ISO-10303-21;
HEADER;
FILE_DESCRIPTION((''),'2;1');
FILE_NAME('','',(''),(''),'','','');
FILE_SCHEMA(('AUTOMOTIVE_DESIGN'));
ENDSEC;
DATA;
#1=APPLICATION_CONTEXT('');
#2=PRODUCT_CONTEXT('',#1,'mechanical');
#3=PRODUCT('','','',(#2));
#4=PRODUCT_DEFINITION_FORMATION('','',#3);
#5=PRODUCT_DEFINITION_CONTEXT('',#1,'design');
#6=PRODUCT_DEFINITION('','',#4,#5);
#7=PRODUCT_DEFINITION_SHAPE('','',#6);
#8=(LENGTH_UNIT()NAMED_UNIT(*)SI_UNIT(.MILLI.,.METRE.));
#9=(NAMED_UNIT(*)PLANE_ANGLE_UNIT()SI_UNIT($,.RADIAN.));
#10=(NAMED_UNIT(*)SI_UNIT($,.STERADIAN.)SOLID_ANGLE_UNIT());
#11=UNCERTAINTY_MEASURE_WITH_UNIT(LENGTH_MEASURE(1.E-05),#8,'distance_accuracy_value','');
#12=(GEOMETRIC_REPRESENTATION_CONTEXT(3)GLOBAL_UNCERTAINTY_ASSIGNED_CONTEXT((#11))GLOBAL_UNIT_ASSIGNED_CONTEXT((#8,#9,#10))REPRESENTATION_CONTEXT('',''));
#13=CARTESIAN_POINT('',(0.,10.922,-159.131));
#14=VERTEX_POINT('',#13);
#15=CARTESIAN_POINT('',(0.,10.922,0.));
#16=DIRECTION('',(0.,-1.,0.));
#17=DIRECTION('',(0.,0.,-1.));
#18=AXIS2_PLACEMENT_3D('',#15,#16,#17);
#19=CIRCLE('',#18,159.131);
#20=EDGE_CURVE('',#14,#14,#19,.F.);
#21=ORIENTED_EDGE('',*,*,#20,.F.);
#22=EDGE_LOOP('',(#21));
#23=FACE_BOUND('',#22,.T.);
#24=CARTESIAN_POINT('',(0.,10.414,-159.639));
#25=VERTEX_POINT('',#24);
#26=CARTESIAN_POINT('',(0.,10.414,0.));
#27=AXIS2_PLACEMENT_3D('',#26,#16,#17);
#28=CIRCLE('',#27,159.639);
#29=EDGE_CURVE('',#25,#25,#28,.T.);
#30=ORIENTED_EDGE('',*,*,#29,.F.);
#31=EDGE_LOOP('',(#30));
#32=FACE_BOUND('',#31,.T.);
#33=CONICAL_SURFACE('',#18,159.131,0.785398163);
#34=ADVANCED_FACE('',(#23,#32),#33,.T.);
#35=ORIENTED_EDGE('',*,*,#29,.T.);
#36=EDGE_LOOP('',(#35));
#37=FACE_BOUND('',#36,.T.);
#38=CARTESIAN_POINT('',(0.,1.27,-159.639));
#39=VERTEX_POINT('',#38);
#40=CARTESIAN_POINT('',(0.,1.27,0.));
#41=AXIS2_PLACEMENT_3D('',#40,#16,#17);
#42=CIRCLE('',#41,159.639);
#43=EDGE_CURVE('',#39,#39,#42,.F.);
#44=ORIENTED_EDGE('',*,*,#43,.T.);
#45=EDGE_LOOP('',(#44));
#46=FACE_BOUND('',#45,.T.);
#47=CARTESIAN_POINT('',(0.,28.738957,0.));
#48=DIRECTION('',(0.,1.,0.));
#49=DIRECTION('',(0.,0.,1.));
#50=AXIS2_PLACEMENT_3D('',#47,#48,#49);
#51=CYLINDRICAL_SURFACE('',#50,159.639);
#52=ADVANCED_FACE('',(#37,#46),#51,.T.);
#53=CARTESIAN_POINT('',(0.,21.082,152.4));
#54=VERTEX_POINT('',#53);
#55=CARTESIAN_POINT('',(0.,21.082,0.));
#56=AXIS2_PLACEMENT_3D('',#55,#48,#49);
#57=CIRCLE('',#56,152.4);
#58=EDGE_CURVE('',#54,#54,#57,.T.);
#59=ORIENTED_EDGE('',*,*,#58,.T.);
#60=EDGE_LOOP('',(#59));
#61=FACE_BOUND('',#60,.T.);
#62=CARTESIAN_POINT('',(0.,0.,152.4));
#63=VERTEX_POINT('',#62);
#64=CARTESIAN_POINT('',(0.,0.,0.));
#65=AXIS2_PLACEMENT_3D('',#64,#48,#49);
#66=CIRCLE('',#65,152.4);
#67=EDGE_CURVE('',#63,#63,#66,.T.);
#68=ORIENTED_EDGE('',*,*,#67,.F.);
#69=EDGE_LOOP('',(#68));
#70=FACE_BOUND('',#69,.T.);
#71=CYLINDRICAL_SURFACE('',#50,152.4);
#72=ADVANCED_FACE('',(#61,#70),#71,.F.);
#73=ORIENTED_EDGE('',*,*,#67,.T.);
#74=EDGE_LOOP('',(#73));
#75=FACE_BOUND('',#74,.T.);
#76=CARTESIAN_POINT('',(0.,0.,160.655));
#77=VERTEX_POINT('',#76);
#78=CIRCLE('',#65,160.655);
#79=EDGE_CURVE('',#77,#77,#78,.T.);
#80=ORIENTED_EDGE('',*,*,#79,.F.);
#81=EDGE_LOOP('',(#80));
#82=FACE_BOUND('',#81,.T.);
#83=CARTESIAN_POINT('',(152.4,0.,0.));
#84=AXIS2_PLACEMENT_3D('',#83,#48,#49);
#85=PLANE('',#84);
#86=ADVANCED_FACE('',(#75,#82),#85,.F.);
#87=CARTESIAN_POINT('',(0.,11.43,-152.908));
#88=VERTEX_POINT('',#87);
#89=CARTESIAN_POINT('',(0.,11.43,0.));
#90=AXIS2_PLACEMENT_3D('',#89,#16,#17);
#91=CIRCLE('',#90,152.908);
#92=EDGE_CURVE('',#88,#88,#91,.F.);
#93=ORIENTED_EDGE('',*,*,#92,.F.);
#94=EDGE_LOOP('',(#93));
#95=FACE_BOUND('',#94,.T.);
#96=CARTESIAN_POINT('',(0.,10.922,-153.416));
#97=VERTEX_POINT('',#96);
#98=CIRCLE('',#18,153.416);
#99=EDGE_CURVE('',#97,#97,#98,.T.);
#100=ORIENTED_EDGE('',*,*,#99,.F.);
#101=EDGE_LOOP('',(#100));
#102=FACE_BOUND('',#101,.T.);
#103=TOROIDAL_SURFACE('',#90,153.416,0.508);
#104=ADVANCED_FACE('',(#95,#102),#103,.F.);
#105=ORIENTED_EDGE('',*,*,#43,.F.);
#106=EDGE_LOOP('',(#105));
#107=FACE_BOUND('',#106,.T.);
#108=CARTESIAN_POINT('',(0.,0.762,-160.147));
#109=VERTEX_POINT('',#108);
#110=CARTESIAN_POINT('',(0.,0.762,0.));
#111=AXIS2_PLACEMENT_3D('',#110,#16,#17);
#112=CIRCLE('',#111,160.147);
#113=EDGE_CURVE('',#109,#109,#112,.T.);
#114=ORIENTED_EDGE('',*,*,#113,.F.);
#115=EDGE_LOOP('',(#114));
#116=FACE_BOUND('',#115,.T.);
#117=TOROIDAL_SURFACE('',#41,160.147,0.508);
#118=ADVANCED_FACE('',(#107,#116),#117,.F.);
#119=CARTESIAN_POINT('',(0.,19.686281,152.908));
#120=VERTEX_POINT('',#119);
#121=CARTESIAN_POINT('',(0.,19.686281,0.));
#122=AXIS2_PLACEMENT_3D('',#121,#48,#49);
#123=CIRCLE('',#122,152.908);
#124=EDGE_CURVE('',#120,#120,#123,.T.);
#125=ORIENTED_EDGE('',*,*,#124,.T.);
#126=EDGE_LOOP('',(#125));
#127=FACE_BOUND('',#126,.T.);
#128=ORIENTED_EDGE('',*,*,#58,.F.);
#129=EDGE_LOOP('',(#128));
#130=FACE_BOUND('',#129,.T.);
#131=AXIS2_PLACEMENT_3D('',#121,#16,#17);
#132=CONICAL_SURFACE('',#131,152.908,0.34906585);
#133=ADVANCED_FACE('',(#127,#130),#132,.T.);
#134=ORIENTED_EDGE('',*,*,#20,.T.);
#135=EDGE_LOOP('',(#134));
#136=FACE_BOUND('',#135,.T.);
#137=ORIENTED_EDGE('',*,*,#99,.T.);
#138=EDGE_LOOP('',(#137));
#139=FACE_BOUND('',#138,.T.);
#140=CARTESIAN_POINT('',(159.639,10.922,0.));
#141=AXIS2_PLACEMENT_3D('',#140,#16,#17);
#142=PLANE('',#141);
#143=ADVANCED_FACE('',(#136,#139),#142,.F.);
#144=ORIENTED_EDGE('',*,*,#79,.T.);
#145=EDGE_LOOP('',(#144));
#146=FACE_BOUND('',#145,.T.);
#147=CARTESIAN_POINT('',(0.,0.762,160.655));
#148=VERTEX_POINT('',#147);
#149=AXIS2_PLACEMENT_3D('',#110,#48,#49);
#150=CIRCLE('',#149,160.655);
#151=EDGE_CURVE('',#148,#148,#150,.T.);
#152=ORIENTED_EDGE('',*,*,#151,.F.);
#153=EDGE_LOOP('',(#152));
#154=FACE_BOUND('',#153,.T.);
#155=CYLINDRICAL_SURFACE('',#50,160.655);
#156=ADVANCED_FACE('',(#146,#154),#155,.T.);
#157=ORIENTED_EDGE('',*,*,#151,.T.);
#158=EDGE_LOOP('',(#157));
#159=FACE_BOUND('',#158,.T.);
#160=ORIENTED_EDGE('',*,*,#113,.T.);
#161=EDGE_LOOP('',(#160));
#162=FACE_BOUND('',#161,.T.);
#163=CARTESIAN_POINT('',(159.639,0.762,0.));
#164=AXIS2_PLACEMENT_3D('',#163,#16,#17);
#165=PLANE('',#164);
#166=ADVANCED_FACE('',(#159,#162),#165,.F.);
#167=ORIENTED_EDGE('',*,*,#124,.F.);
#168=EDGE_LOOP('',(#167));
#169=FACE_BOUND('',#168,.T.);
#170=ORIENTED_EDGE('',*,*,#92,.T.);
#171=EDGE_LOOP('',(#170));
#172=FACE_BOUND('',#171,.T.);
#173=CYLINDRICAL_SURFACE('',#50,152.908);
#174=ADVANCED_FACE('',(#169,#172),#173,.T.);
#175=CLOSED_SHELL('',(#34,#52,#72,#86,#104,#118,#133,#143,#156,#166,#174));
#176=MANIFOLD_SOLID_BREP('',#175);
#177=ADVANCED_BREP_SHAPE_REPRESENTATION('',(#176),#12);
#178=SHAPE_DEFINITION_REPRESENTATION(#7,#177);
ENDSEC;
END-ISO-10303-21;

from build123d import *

# Parameters (mm, degrees)
FILLET1_R     = 0.508
CHAMFER1_SIZE = 0.508


with BuildPart() as part:
    # Sketch1 → Revolve1 (revolve)
    with BuildSketch(Plane.XY):
        Polygon((152.4, 21.082), (152.4, 0), (160.655, 0), (160.655, 0.762), (159.639, 0.762), (159.639, 10.922), (152.908, 10.922), (152.908, 19.686281471), align=None)
    revolve(axis=Axis((0, 28.738956579, 0), (0, -1, 0)))

    # Fillet1
    fillet1_edges = [part.edges().sort_by_distance(p)[0] for p in [
        (-159.639, 0.762, 0),
        (-152.908, 10.922, 0),
    ]]
    fillet(fillet1_edges, radius=FILLET1_R)

    # Chamfer1
    chamfer1_edges = [part.edges().sort_by_distance(p)[0] for p in [
        (-159.639, 10.922, 0),
    ]]
    chamfer(chamfer1_edges, length=CHAMFER1_SIZE)


solid = part.part
